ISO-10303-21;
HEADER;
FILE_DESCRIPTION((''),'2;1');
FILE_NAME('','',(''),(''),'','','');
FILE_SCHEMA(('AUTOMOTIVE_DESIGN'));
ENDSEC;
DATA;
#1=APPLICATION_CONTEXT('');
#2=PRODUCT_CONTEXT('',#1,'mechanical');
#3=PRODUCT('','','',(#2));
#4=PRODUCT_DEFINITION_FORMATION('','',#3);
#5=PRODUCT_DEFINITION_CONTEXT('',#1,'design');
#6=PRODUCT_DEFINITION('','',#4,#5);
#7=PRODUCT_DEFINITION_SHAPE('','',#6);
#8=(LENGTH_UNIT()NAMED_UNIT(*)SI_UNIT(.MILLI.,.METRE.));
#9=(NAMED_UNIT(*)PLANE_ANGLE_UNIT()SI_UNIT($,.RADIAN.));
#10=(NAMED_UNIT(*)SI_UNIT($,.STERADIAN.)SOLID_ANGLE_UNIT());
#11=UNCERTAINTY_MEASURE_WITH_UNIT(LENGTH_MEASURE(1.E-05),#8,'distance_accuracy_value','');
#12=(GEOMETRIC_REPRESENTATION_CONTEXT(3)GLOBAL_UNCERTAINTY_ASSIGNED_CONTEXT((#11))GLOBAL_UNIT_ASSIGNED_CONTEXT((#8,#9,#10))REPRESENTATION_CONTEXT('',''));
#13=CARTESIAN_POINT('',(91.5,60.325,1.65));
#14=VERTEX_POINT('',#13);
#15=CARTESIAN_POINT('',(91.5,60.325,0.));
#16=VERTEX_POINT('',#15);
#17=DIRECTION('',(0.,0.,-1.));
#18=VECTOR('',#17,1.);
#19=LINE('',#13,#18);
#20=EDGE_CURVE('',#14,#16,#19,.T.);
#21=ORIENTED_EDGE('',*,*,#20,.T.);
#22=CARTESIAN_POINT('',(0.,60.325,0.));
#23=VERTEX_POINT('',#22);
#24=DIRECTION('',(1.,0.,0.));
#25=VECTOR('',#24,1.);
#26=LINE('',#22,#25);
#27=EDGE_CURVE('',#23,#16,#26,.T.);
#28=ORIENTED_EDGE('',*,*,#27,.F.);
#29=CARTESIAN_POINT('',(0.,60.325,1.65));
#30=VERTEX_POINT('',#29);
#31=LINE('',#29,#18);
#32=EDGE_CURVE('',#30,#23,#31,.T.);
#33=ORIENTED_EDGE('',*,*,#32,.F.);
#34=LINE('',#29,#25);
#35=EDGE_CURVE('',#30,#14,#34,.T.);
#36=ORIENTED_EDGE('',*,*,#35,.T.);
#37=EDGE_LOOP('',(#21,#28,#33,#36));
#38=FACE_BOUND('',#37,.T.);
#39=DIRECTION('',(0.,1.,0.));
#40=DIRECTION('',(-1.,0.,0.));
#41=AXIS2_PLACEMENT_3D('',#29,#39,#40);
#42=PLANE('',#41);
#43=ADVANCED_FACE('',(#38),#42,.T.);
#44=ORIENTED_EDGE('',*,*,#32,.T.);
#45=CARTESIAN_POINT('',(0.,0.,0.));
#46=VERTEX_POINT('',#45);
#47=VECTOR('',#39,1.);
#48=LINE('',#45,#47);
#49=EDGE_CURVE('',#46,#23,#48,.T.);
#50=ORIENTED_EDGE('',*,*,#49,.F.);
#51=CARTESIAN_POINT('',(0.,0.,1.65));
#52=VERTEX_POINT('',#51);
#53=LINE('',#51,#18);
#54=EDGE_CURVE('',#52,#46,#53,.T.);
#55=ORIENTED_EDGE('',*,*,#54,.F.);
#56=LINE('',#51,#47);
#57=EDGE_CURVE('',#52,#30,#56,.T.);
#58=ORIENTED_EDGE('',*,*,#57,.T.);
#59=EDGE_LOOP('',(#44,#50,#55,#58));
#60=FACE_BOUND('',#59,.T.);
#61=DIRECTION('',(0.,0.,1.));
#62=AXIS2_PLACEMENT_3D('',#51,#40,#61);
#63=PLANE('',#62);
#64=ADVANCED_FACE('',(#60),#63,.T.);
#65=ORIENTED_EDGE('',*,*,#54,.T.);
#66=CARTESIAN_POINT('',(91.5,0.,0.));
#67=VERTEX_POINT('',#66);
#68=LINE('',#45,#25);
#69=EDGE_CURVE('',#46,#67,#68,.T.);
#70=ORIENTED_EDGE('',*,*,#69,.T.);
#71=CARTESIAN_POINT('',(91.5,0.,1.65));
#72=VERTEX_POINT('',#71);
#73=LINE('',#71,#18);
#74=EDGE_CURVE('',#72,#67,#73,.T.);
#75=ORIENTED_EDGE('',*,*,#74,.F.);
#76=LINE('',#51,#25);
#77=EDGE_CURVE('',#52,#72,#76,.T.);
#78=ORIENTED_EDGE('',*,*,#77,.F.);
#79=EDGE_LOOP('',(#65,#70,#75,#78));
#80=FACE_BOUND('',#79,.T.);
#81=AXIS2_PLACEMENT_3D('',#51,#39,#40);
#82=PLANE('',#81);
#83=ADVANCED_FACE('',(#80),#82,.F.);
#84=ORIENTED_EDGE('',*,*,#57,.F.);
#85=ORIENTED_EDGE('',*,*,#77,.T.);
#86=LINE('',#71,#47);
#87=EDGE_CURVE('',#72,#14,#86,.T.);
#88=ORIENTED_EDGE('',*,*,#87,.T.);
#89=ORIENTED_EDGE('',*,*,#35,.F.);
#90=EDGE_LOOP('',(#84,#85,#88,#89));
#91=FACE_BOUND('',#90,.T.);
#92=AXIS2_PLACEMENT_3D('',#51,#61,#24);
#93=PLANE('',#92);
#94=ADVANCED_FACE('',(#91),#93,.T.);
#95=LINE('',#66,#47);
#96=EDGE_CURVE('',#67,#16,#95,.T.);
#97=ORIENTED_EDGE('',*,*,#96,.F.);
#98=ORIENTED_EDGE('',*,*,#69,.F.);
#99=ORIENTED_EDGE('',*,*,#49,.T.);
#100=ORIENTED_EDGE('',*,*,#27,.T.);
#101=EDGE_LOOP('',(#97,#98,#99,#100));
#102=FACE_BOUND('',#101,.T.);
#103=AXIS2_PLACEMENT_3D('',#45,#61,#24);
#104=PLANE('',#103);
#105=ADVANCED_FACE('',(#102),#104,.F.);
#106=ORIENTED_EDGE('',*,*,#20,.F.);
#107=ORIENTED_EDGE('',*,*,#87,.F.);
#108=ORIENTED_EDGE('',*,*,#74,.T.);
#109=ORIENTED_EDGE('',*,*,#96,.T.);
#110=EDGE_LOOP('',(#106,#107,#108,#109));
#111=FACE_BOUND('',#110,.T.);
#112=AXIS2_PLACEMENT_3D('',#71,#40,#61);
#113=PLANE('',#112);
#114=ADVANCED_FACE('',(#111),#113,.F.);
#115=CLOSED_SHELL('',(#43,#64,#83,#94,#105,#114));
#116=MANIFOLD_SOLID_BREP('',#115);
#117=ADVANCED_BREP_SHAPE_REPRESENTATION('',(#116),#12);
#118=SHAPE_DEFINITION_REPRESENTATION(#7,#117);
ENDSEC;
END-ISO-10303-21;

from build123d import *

# Parameters (mm, degrees)
SKETCH1_W           = 14.224
SKETCH1_H           = 14.732
SKETCH1_W_2         = 13.335
SKETCH1_H_2         = 17.78
BOSS_EXTRUDE1_DEPTH = 1.65


with BuildPart() as part:
    # Sketch1 → Boss-Extrude1 (new body)
    with BuildSketch(Plane.XY):
        Polygon((13.335, 1.905), (0, 1.905), (0, 0), (91.5, 0), (91.5, 36.195), (78.165, 36.195), (78.165, 53.975), (91.5, 53.975), (91.5, 60.325), (0, 60.325), (0, 57.531), (14.224, 57.531), (14.224, 42.799), (0, 42.799), (0, 39.37), (13.335, 39.37), (13.335, 21.59), (0, 21.59), (0, 19.685), (13.335, 19.685), align=None)
        with Locations((7.112, 50.165)):
            Rectangle(SKETCH1_W, SKETCH1_H)
        with Locations((6.6675, 30.48)):
            Rectangle(SKETCH1_W_2, SKETCH1_H_2)
        with Locations((6.6675, 10.795)):
            Rectangle(SKETCH1_W_2, SKETCH1_H_2)
        with Locations((84.8325, 45.085)):
            Rectangle(SKETCH1_W_2, SKETCH1_H_2)
    extrude(amount=BOSS_EXTRUDE1_DEPTH)


solid = part.part
